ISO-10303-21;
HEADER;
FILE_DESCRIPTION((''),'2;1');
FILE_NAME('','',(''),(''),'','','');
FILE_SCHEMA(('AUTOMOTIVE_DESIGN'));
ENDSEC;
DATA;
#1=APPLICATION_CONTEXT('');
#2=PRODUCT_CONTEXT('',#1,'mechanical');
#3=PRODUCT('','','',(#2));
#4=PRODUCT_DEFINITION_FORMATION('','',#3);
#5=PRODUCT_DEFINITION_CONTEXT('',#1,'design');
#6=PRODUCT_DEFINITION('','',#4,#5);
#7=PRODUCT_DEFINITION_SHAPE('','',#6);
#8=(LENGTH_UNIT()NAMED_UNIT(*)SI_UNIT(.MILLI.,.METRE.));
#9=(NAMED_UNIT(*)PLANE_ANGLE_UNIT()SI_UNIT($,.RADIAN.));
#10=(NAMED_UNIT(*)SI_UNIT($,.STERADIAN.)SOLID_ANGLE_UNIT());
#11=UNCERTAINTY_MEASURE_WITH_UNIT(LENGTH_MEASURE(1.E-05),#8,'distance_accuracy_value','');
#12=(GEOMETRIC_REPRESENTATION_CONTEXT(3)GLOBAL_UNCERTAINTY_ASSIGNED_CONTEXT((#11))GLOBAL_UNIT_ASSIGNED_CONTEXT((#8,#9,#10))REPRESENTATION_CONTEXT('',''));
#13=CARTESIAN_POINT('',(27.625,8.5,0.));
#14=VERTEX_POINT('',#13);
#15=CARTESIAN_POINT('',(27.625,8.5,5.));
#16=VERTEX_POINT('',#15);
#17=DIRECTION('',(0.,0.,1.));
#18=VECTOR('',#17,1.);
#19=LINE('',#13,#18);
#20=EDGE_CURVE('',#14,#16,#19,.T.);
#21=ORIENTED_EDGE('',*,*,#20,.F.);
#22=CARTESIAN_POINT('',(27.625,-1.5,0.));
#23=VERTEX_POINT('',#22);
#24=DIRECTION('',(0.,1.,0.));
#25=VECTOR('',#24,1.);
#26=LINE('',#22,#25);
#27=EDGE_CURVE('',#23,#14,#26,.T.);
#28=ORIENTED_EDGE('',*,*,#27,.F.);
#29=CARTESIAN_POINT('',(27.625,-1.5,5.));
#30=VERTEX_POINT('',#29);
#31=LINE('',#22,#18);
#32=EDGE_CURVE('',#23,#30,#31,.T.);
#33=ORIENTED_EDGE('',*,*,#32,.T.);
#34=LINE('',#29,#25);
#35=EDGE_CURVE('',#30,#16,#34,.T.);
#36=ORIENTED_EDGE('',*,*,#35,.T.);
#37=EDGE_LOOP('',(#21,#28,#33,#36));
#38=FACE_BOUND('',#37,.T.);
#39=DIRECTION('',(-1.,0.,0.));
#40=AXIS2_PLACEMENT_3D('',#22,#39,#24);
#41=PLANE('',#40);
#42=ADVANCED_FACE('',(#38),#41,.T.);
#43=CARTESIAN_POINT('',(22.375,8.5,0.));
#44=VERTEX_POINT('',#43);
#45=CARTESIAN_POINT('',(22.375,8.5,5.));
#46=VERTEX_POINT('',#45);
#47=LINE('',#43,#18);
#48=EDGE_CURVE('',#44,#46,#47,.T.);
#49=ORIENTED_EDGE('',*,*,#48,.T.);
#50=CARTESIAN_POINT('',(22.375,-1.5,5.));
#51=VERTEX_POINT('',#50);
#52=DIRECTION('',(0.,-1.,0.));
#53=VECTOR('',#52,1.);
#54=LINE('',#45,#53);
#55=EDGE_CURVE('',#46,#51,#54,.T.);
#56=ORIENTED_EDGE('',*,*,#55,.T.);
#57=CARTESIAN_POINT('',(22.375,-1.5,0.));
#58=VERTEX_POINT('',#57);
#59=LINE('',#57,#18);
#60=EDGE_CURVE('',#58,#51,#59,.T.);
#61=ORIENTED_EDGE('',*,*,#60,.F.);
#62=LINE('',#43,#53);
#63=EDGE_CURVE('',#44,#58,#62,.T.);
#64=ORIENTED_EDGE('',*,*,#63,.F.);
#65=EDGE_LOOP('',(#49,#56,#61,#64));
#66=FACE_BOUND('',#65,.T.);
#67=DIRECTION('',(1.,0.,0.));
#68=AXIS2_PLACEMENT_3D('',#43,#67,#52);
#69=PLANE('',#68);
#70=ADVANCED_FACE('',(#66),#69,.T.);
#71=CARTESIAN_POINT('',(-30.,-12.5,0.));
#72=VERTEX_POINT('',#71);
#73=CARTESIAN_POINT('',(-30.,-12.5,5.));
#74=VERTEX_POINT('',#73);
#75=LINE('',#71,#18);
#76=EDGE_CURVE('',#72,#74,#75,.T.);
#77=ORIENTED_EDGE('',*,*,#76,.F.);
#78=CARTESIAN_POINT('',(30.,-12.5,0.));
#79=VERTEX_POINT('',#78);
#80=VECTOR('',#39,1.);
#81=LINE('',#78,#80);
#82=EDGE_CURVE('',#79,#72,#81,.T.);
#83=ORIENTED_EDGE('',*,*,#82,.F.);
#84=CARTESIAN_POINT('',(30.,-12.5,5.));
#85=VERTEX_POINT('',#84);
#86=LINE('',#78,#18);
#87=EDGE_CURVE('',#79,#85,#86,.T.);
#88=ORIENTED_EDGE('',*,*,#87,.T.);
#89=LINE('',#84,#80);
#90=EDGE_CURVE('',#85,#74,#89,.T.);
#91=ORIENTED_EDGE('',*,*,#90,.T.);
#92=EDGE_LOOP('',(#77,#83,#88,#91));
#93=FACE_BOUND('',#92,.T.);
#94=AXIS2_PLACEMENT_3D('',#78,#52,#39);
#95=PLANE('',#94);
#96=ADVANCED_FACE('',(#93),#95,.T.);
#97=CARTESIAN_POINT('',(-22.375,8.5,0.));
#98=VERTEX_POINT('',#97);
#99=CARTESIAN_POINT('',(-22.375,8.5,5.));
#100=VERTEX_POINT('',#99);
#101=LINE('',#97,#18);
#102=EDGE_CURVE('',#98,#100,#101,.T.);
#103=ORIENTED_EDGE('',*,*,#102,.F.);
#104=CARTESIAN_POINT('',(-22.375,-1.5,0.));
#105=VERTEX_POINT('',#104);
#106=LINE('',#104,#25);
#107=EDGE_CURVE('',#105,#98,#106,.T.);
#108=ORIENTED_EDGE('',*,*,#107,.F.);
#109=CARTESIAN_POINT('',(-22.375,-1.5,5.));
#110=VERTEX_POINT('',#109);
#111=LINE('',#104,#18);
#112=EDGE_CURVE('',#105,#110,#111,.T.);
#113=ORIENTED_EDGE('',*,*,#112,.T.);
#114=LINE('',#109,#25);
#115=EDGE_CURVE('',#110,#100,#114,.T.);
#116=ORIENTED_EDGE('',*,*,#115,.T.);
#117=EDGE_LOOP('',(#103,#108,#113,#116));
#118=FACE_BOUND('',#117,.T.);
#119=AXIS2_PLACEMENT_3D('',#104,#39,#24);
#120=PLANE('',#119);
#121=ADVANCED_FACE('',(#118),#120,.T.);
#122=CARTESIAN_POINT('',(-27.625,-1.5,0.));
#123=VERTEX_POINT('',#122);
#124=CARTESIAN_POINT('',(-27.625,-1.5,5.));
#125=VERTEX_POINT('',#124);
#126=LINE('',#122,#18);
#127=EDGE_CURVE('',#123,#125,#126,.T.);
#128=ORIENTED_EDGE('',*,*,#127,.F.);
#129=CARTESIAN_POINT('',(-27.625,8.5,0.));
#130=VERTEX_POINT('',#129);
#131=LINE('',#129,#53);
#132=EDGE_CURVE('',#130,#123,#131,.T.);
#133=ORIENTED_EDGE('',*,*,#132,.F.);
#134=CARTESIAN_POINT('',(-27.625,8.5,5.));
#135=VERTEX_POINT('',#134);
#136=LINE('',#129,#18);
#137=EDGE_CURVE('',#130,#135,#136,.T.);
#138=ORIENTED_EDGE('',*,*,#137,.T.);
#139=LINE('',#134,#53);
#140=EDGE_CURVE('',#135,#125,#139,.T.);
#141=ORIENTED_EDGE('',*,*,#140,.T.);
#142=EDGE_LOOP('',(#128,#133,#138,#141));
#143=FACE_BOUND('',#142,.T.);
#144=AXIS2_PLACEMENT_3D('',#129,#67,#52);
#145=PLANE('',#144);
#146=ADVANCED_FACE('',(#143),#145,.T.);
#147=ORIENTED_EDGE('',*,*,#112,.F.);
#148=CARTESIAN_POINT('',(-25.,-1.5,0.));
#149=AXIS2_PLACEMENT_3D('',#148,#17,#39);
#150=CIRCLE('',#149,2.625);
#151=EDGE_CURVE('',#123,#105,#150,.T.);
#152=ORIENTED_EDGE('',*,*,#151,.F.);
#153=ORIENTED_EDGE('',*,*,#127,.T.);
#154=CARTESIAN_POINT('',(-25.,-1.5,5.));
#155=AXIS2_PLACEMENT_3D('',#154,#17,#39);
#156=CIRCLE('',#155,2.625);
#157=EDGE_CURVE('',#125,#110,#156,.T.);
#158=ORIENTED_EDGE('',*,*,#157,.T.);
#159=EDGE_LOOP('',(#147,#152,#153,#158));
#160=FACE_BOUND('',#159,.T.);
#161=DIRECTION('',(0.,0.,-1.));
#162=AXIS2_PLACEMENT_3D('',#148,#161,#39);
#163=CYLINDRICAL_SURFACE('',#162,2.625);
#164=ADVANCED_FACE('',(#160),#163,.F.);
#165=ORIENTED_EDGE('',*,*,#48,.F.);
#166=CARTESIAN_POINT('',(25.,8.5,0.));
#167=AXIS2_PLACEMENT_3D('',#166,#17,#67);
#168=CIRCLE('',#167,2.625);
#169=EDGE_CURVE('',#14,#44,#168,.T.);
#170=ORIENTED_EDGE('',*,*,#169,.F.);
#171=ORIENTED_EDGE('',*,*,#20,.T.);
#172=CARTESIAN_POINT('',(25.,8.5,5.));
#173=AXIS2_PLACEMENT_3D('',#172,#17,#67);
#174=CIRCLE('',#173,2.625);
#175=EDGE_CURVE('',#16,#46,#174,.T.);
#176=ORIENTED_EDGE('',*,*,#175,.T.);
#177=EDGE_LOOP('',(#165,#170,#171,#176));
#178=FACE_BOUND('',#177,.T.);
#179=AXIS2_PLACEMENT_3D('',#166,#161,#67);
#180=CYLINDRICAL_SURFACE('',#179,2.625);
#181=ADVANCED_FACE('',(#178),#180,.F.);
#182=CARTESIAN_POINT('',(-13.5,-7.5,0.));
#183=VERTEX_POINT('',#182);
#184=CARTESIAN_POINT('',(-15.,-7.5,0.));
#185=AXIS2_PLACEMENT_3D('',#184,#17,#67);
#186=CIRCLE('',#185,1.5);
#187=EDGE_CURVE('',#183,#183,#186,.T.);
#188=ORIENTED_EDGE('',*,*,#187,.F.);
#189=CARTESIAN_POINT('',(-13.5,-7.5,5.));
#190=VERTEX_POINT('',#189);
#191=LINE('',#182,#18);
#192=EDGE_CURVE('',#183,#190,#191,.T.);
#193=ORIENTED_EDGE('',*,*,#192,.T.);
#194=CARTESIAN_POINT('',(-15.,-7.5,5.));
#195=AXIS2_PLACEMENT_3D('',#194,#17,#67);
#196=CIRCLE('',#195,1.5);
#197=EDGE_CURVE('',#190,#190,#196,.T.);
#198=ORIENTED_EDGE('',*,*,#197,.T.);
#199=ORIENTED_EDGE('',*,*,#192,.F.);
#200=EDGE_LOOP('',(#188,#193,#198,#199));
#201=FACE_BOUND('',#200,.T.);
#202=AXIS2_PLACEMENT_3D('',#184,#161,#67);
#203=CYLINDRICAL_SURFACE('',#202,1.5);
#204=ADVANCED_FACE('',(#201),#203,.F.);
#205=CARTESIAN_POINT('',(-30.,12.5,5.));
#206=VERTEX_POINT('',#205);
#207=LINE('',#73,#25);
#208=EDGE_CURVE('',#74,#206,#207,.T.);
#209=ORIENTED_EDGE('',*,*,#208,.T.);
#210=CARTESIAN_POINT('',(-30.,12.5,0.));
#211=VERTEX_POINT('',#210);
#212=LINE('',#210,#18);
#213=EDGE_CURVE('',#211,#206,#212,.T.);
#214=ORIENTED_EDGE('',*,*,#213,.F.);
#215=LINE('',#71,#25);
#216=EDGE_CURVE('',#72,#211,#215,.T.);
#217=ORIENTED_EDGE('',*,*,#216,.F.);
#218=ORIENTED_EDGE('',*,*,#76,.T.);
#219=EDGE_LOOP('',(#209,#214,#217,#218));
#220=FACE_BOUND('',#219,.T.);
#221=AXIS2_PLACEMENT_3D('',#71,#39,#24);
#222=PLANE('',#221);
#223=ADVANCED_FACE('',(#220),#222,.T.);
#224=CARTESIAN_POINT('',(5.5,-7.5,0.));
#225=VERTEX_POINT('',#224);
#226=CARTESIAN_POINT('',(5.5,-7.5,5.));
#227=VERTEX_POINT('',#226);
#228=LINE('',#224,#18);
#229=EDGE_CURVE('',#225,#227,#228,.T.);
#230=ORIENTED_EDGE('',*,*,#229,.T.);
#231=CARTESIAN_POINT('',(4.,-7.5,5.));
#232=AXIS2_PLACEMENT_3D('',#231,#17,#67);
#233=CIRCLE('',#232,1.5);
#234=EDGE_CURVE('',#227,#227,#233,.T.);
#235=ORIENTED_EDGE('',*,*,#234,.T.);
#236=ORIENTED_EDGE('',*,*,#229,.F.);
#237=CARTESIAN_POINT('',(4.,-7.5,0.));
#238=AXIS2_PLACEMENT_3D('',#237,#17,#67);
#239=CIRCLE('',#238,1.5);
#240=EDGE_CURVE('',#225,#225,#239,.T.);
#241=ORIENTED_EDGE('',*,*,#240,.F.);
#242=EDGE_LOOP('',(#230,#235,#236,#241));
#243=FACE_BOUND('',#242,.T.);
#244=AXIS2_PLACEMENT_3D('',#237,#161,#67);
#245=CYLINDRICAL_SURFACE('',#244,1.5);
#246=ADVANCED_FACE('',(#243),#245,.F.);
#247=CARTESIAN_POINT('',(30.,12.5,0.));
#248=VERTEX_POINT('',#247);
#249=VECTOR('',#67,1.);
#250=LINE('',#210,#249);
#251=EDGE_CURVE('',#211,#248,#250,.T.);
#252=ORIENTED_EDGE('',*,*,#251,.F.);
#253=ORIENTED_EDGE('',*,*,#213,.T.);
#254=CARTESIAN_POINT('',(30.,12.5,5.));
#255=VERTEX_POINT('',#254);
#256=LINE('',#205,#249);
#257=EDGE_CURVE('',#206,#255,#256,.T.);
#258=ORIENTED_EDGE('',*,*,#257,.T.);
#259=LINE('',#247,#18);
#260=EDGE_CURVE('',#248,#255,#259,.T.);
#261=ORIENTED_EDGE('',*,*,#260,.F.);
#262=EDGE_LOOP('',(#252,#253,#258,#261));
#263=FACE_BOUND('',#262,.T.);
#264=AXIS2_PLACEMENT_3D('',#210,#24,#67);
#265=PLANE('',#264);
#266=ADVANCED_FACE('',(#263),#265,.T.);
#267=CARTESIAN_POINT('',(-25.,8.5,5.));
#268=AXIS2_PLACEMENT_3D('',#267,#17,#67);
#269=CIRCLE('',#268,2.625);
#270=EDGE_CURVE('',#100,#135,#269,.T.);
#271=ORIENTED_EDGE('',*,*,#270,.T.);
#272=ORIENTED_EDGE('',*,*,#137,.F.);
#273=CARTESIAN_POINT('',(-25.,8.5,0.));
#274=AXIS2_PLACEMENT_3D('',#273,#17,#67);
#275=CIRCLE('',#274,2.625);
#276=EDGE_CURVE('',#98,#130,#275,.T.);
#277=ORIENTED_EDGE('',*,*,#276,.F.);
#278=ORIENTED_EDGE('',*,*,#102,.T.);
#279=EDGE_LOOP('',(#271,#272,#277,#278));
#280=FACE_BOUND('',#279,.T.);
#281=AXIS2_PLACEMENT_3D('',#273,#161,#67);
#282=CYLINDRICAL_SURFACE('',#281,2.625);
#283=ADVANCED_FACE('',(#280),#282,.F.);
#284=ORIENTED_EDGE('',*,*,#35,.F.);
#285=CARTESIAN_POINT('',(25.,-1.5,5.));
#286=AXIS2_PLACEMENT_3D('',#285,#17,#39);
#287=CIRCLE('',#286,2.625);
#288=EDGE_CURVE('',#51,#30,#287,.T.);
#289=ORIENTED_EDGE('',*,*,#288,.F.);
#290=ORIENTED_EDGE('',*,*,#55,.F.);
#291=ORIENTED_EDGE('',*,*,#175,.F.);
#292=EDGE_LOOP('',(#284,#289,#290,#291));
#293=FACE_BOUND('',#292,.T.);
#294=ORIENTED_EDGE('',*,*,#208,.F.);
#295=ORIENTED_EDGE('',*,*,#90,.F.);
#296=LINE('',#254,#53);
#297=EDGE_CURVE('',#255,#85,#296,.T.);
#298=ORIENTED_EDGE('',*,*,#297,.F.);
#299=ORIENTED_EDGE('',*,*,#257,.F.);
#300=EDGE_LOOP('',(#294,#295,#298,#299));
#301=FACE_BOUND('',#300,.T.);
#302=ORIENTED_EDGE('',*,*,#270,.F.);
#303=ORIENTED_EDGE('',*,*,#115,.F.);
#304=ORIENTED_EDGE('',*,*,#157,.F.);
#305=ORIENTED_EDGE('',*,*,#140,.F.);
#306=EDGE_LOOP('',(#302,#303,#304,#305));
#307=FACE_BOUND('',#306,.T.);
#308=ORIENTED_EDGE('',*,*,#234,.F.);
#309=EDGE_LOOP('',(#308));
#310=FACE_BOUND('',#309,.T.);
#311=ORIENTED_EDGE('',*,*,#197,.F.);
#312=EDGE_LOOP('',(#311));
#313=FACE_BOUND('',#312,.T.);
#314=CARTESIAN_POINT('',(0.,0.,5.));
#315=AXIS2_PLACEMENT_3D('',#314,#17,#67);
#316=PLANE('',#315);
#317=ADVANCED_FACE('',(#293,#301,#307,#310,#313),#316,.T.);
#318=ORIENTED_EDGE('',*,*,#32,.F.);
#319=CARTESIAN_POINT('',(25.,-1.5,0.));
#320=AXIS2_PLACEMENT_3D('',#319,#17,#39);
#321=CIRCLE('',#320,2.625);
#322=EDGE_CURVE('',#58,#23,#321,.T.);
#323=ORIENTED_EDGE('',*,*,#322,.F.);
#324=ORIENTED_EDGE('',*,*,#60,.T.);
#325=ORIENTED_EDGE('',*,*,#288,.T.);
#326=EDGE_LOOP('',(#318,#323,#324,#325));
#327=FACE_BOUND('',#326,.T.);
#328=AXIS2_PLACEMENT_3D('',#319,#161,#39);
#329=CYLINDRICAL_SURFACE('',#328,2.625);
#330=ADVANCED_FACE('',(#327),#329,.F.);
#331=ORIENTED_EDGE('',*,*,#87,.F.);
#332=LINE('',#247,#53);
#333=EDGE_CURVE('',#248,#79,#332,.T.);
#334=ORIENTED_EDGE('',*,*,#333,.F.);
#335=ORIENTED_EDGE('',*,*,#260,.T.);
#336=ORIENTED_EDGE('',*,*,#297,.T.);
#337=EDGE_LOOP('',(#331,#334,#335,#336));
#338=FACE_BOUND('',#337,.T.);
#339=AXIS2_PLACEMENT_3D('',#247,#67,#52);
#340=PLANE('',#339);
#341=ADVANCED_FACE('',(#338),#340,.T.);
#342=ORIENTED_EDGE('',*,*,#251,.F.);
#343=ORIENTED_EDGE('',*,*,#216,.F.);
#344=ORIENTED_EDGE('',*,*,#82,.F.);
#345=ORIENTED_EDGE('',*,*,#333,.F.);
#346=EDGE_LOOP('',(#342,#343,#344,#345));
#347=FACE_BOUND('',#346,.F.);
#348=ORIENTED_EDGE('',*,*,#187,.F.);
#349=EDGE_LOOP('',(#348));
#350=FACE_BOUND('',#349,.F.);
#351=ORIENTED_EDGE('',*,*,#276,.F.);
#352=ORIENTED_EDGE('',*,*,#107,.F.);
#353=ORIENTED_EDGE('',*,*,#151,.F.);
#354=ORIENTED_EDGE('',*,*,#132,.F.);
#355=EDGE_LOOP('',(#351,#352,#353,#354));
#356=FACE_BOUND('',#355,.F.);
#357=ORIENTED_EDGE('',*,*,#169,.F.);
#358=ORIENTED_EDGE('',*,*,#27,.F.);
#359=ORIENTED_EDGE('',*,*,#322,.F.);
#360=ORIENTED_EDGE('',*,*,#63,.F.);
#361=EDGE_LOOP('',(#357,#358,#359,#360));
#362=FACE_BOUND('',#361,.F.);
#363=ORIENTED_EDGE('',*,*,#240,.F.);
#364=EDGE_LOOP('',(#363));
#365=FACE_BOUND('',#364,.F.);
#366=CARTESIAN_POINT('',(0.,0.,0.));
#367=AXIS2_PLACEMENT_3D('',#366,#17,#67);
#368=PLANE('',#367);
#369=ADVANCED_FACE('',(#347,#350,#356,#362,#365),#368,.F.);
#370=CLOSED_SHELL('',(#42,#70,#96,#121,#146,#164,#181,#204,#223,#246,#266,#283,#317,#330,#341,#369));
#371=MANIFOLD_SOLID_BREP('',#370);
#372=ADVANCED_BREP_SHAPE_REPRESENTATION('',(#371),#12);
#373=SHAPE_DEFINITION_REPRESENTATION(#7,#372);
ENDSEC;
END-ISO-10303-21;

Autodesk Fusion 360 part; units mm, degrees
sketch "Sketch1" plane through (0, 0, 0) normal (0, 0, 1) x (1, 0, 0)
  line L0 (30, -12.5) -> (-30, -12.5)
  line L1 (-30, -12.5) -> (-30, 12.5)
  line L2 (-30, 12.5) -> (30, 12.5)
  line L3 (30, 12.5) -> (30, -12.5)
  line L4 (30, -12.5) -> (-30, 12.5) construction
  line L5 (-30, -12.5) -> (30, 12.5) construction
  circle A0 centre (-15, -7.5) radius 1.5
  circle A1 centre (4, -7.5) radius 1.5
  line L6 (-27.625, 8.5) -> (-27.625, -1.5)
  arc A2 (-27.625, -1.5) -> (-22.375, -1.5) centre (-25, -1.5) ccw
  line L7 (-22.375, -1.5) -> (-22.375, 8.5)
  arc A3 (-22.375, 8.5) -> (-27.625, 8.5) centre (-25, 8.5) ccw
  line L8 (-25, 8.5) -> (-25, -1.5) construction
  line L9 (27.625, -1.5) -> (27.625, 8.5)
  arc A4 (27.625, 8.5) -> (22.375, 8.5) centre (25, 8.5) ccw
  line L10 (22.375, 8.5) -> (22.375, -1.5)
  arc A5 (22.375, -1.5) -> (27.625, -1.5) centre (25, -1.5) ccw
  line L11 (25, -1.5) -> (25, 8.5) construction
  dimension "d1" = 60
  dimension "d2" = 25
  dimension "d3" = 3
  dimension "d4" = 3
  dimension "d5" = 19
  dimension "d6" = 5
  dimension "d7" = 5
  dimension "d8" = 15
  dimension "d9" = 5.25
  dimension "d10" = 5.25
  dimension "d11" = 5
  dimension "d12" = 5
  dimension "d15" = 4
  dimension "d16" = 4
  dimension "d17" = 10
  dimension "d18" = 10
extrude "Extrude1" add sketch "Sketch1" along normal blind 5
equation "d7 = d6"
equation "d10 = d9"
equation "d12 = d11"
equation "d16 = d15"
equation "d18 = d17"
